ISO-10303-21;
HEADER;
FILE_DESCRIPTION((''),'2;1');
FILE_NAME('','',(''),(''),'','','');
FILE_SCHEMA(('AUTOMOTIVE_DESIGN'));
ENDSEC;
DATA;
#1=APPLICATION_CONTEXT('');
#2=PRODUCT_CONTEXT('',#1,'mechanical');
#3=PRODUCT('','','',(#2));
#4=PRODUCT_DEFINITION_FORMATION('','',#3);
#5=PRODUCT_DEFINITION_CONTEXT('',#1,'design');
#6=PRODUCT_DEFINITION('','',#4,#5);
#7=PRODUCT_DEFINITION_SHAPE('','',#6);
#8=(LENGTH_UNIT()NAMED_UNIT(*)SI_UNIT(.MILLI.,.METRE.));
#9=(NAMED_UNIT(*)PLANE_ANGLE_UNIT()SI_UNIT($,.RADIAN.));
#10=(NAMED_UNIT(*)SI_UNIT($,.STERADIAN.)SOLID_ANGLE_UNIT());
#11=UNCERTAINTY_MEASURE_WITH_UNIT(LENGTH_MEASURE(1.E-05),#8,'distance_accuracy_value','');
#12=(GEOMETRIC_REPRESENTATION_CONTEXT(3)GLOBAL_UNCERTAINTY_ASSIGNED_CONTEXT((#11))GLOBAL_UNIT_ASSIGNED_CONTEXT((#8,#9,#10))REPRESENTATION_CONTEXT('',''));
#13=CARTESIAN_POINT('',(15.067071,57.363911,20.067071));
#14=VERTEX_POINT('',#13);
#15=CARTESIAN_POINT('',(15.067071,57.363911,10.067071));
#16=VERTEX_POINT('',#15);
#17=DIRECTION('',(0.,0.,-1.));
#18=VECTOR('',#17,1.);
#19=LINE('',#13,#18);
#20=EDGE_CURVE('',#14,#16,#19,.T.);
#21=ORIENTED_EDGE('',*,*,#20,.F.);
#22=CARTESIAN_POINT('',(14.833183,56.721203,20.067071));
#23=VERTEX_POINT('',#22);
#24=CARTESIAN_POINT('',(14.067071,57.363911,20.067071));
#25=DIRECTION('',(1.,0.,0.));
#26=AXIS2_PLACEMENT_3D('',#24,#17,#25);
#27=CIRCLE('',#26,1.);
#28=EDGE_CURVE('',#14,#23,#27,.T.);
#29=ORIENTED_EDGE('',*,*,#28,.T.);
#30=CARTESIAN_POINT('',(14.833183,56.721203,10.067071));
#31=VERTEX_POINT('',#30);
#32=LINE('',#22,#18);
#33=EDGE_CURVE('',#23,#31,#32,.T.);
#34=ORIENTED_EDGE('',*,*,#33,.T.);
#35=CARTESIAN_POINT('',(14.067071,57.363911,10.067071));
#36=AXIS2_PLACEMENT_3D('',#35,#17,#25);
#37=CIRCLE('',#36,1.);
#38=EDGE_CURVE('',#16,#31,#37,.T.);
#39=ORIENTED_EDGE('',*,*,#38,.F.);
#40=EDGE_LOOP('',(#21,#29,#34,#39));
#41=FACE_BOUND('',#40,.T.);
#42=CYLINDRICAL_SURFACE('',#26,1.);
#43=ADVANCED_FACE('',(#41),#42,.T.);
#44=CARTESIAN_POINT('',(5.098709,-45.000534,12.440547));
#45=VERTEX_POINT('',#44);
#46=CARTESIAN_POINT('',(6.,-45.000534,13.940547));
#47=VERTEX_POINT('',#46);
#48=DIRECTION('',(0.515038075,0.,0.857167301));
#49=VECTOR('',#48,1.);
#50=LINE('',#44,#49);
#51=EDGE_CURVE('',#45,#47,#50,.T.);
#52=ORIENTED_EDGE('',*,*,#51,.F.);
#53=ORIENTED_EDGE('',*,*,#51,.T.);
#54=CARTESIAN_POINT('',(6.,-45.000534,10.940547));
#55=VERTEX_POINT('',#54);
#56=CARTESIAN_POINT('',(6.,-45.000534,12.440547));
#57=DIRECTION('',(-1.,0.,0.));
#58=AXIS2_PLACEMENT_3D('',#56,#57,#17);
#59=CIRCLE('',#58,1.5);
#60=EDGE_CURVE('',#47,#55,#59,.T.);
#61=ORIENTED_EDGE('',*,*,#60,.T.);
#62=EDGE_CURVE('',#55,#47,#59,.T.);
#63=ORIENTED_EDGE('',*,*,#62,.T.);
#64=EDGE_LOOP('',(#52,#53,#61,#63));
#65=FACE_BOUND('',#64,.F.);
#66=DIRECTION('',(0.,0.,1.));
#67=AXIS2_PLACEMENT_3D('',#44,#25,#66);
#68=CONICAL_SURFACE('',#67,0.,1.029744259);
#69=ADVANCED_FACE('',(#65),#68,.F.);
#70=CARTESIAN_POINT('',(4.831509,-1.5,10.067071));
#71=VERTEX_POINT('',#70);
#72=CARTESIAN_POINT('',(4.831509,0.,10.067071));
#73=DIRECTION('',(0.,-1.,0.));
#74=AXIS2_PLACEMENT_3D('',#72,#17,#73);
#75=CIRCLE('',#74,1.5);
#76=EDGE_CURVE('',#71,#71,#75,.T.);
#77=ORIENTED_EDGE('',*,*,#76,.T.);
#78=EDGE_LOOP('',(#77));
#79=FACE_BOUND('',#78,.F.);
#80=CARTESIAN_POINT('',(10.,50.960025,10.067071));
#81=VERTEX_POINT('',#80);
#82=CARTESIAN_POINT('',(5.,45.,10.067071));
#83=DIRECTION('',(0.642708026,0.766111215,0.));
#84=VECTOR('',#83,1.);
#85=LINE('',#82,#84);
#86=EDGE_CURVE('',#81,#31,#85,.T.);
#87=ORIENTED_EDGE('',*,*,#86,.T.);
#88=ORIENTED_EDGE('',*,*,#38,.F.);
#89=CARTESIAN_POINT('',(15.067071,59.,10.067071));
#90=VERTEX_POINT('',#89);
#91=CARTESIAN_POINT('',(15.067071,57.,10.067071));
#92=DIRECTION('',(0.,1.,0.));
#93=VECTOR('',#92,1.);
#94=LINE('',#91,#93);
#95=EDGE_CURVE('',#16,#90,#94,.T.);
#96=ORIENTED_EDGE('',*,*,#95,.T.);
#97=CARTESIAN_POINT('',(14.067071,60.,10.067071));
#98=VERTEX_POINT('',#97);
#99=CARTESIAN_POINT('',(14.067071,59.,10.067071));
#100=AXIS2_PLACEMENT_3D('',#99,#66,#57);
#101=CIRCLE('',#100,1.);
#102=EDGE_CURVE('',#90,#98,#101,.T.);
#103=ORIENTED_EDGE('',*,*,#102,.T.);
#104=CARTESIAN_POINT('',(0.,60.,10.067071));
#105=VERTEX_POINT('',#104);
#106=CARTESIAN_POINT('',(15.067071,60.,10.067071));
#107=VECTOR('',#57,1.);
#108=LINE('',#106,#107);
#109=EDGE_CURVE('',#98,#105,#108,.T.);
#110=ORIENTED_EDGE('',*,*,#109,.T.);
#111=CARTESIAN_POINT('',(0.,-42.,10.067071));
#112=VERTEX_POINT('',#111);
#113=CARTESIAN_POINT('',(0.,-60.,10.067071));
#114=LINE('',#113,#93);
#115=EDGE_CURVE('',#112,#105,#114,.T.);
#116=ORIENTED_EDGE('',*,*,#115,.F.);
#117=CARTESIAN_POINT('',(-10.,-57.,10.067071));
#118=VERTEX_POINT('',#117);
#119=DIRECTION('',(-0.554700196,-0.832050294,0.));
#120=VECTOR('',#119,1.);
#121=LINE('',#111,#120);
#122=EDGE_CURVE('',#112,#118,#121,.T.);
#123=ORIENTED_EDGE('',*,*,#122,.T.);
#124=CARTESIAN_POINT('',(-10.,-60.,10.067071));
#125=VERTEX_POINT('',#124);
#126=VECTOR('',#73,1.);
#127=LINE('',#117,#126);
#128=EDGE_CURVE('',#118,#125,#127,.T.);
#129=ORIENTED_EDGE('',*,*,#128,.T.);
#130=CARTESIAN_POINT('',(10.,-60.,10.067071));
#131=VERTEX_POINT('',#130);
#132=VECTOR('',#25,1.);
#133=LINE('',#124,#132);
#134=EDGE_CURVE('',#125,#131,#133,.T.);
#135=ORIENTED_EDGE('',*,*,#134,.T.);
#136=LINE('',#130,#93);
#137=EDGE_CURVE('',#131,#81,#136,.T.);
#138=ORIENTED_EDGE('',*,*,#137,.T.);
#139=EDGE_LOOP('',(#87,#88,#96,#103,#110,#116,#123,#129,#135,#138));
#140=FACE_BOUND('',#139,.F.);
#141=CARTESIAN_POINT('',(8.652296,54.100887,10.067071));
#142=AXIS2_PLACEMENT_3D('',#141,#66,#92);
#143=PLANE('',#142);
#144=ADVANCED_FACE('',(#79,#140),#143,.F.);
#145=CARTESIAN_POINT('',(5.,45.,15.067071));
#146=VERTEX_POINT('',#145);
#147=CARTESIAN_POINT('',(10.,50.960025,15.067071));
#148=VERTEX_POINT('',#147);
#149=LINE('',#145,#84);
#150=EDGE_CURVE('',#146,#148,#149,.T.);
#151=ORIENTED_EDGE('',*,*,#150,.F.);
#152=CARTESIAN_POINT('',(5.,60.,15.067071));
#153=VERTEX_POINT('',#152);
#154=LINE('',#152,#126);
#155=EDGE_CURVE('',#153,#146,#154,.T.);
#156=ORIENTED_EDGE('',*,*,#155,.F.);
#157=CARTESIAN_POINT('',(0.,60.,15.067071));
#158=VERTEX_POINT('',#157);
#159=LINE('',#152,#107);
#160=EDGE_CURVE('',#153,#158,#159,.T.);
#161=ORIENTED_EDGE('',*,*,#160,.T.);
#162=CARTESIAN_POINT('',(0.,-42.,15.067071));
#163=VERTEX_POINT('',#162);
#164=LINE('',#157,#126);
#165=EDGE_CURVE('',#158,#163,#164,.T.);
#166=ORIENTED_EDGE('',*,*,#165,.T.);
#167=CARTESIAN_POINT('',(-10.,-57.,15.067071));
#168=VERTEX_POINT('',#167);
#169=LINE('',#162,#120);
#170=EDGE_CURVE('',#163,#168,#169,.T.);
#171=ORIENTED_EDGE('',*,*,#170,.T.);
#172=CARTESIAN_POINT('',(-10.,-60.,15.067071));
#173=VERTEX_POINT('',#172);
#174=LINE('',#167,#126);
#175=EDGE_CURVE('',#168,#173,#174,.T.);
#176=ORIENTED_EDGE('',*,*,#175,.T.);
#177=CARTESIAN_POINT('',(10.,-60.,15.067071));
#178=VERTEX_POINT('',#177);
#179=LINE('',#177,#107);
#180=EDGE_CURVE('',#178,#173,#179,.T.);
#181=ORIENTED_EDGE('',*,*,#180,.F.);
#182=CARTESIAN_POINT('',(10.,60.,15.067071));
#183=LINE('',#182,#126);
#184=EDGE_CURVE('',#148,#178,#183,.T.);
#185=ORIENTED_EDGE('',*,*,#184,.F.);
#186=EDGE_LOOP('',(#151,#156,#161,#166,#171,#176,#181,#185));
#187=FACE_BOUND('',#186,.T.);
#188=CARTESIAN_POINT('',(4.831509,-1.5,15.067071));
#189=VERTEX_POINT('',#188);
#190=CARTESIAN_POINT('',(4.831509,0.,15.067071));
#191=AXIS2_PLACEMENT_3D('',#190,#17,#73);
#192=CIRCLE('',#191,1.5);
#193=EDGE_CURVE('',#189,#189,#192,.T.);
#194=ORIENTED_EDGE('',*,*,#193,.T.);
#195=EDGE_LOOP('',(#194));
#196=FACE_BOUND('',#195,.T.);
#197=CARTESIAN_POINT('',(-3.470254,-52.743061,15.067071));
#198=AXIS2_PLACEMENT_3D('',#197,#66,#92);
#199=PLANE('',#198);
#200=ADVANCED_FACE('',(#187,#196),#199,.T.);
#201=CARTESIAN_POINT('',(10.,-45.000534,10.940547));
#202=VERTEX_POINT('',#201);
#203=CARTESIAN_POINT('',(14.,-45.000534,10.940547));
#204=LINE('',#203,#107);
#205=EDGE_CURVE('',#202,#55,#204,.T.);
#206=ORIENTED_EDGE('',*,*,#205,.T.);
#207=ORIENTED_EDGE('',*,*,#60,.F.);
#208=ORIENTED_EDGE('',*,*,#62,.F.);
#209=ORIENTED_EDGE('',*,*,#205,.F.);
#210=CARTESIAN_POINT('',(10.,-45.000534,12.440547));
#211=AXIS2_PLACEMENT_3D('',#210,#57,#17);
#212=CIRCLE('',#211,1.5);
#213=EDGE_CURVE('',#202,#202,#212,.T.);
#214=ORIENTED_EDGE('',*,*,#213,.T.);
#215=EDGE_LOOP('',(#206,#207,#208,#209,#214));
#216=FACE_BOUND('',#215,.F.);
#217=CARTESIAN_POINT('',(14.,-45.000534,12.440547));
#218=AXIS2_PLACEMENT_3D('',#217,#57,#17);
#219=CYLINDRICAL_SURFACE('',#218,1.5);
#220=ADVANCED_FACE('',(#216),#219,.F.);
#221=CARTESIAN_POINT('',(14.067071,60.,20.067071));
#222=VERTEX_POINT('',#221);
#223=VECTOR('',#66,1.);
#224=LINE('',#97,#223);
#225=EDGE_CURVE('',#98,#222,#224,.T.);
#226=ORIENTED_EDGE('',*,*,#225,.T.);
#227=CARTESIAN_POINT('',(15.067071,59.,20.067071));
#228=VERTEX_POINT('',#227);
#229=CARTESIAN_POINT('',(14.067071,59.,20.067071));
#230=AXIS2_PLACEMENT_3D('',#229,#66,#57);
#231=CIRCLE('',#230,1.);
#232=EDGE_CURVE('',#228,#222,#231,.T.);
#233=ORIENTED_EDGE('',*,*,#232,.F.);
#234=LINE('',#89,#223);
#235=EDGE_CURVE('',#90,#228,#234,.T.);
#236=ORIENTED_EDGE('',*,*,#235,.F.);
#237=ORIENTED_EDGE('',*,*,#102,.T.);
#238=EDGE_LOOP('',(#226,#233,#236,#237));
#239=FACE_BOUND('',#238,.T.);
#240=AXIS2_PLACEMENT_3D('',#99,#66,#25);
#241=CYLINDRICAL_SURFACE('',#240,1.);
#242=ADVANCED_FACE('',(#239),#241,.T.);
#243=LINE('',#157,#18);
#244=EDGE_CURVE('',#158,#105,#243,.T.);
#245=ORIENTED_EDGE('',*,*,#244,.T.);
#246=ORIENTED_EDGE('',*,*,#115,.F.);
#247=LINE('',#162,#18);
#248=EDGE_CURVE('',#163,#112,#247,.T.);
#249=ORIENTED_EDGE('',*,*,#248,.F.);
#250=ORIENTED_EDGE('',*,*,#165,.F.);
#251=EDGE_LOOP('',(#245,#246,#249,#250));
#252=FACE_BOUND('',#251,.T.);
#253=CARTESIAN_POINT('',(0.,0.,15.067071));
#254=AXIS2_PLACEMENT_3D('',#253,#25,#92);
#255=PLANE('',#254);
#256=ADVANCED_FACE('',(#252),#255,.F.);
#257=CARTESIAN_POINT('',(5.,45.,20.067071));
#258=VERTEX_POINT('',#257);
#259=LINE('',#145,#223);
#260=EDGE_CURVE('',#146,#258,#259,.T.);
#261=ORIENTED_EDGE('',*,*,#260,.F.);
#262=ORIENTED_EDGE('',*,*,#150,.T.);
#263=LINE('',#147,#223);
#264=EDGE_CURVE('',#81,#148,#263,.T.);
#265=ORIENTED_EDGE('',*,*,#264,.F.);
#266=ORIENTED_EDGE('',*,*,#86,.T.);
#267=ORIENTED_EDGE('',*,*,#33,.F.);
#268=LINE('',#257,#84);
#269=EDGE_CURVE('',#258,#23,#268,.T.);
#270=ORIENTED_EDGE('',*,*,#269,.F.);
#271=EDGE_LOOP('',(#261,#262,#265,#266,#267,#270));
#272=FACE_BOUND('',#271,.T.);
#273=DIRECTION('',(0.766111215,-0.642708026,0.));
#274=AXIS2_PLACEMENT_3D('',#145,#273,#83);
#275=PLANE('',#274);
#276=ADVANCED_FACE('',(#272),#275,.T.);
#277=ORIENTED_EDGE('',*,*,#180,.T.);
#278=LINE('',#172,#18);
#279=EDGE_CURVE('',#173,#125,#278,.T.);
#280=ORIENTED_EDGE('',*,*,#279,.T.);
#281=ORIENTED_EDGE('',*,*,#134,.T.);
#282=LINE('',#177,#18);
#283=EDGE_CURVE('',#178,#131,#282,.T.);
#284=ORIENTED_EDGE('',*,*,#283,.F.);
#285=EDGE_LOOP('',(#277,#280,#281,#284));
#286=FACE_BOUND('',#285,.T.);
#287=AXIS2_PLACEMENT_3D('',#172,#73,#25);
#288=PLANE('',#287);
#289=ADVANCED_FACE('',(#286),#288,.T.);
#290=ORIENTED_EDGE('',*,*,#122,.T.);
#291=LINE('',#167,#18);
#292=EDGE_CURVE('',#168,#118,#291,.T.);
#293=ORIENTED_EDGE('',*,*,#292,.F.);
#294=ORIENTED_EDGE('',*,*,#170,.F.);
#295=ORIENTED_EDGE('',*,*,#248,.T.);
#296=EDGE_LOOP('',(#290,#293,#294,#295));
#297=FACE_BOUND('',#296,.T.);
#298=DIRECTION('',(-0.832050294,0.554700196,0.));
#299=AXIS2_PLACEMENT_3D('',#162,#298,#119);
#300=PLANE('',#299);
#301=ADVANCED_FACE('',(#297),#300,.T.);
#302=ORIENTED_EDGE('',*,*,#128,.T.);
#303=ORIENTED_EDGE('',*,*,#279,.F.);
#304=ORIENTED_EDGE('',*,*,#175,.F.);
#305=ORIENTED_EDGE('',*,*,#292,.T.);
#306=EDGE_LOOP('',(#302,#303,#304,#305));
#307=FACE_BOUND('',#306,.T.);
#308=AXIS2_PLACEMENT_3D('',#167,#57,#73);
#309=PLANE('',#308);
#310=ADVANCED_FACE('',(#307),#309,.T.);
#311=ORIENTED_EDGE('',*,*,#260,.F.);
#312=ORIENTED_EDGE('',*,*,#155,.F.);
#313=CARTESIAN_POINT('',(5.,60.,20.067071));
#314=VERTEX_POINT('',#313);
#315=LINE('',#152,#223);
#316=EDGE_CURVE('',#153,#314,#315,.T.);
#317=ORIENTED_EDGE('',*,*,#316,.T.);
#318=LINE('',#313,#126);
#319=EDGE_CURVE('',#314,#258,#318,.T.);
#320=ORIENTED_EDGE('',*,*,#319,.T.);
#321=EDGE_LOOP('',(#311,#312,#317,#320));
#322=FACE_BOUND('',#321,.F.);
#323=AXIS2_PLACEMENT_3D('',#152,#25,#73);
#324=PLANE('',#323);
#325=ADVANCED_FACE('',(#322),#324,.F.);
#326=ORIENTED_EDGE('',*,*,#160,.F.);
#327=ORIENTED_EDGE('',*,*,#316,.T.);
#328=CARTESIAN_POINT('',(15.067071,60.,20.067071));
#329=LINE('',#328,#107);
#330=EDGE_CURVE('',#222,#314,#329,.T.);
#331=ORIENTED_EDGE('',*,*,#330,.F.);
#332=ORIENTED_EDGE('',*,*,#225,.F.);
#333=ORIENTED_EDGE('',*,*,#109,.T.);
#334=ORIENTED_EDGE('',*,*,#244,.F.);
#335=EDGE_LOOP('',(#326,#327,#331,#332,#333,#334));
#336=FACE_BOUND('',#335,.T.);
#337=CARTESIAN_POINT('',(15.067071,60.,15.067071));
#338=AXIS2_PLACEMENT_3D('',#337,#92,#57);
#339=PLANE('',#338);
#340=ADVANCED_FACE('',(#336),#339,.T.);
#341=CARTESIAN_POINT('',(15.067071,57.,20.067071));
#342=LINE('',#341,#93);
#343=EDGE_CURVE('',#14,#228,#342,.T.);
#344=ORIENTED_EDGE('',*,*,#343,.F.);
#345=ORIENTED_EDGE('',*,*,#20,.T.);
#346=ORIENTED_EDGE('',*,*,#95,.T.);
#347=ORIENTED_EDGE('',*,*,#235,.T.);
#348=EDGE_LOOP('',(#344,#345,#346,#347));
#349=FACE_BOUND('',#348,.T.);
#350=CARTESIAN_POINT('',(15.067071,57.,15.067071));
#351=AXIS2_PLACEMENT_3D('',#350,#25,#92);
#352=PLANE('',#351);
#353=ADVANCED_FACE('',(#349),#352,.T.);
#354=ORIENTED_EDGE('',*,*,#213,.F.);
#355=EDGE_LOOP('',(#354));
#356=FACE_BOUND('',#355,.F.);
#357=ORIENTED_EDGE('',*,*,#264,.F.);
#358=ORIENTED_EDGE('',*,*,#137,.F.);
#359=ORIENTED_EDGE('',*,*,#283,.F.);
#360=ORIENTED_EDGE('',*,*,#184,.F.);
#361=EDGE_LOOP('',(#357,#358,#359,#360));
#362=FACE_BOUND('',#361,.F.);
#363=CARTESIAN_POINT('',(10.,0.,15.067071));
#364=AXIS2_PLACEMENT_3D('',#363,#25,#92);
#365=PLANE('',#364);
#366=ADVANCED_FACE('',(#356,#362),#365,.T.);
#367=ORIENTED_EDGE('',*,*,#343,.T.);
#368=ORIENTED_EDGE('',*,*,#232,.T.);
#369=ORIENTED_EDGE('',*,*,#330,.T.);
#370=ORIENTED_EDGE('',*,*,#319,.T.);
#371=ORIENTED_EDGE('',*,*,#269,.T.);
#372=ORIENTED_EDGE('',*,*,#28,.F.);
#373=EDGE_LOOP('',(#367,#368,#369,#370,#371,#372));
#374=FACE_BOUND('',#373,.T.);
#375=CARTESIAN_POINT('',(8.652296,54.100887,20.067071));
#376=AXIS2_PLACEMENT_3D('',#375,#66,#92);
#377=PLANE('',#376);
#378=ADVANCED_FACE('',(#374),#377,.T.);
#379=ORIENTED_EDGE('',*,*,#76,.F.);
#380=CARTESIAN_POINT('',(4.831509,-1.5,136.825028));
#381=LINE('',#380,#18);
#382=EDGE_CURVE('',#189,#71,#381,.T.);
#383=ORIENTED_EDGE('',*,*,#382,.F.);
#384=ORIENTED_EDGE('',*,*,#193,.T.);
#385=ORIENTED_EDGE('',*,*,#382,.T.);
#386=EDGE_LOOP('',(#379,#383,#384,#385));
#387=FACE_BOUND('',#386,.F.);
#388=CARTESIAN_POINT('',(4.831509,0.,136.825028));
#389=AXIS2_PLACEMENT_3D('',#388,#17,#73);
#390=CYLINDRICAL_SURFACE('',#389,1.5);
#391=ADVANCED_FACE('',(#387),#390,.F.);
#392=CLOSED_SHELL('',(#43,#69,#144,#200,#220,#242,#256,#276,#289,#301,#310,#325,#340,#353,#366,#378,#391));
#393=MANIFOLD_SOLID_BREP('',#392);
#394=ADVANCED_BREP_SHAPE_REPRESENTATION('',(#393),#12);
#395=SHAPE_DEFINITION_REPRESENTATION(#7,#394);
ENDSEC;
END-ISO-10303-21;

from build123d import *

# Parameters (mm, degrees)
F0_W      = 60
F0_H      = 10
F1_DEPTH  = 5
F4_DEPTH  = 5
F6_DEPTH  = 5
F7_DEPTH  = 5
F9_D      = 3
F11_R     = 1
F13_D     = 3
F13_DEPTH = 4
F13_TIP   = 0.9012909285
F14_ANGLE = -90


with BuildPart() as f1:
    # F0 (on Right) → F1 (new body)
    with BuildSketch(Plane.YZ):
        with Locations((30, 10.0670714118)):
            Rectangle(F0_W, F0_H)
    extrude(amount=-F1_DEPTH)

    # F2: F1 across plane


with BuildPart() as f1_1:
    add(f1.part)
    add(f1.part.mirror(Plane.XZ))

    # F3 (on Right) → F4 (join)
    with BuildSketch(Plane.YZ):
        Polygon((-60, 25.0670714118), (-60, 15.0670714118), (-42, 15.0670714118), (-57, 25.0670714118), align=None)
    extrude(amount=-F4_DEPTH)

    # F9 (through all)
    with Locations(Plane.YZ):
        with Locations((0, 10.2355619892)):
            Hole(F9_D / 2)


with BuildPart() as f6:
    # F5 (on face) → F6 (new body)
    with BuildSketch(Plane.YZ):
        Polygon((57, 0), (60, 0), (60, 10.0670714118), (45, 10.0670714118), align=None)
    extrude(amount=F6_DEPTH)


with BuildPart() as f7:
    # F5 (on face) → F7 (new body)
    with BuildSketch(Plane.YZ):
        Polygon((57, 0), (60, 0), (60, 10.0670714118), (45, 10.0670714118), align=None)
    extrude(amount=-F7_DEPTH)


with BuildPart() as f1_2:
    add(f1_1.part)

    # F10: union F6, F7
    add(f6.part)
    add(f7.part)

    # F11
    f11_edges = [f1_2.edges().sort_by_distance(p)[0] for p in [
        (0, 57, 0),
        (0, 60, 0),
    ]]
    fillet(f11_edges, radius=F11_R)

    # F13
    with Locations(Plane(origin=(0, 0, 5.0670714118), x_dir=(1, 0, 0), z_dir=(0, 0, -1))):
        with Locations((-2.6265240659, 45.0005336208)):
            Hole(F13_D / 2, depth=F13_DEPTH)
            with Locations((0, 0, -(F13_DEPTH + F13_TIP / 2))):  # 118° drill point
                Cone(0, F13_D / 2, F13_TIP, mode=Mode.SUBTRACT)


with BuildPart() as f1_3:
    # F14: moved
    add(f1_2.part.rotate(Axis((0, 9, 15.0670714118), (0, 1, 0)), F14_ANGLE))


solid = f1_3.part
